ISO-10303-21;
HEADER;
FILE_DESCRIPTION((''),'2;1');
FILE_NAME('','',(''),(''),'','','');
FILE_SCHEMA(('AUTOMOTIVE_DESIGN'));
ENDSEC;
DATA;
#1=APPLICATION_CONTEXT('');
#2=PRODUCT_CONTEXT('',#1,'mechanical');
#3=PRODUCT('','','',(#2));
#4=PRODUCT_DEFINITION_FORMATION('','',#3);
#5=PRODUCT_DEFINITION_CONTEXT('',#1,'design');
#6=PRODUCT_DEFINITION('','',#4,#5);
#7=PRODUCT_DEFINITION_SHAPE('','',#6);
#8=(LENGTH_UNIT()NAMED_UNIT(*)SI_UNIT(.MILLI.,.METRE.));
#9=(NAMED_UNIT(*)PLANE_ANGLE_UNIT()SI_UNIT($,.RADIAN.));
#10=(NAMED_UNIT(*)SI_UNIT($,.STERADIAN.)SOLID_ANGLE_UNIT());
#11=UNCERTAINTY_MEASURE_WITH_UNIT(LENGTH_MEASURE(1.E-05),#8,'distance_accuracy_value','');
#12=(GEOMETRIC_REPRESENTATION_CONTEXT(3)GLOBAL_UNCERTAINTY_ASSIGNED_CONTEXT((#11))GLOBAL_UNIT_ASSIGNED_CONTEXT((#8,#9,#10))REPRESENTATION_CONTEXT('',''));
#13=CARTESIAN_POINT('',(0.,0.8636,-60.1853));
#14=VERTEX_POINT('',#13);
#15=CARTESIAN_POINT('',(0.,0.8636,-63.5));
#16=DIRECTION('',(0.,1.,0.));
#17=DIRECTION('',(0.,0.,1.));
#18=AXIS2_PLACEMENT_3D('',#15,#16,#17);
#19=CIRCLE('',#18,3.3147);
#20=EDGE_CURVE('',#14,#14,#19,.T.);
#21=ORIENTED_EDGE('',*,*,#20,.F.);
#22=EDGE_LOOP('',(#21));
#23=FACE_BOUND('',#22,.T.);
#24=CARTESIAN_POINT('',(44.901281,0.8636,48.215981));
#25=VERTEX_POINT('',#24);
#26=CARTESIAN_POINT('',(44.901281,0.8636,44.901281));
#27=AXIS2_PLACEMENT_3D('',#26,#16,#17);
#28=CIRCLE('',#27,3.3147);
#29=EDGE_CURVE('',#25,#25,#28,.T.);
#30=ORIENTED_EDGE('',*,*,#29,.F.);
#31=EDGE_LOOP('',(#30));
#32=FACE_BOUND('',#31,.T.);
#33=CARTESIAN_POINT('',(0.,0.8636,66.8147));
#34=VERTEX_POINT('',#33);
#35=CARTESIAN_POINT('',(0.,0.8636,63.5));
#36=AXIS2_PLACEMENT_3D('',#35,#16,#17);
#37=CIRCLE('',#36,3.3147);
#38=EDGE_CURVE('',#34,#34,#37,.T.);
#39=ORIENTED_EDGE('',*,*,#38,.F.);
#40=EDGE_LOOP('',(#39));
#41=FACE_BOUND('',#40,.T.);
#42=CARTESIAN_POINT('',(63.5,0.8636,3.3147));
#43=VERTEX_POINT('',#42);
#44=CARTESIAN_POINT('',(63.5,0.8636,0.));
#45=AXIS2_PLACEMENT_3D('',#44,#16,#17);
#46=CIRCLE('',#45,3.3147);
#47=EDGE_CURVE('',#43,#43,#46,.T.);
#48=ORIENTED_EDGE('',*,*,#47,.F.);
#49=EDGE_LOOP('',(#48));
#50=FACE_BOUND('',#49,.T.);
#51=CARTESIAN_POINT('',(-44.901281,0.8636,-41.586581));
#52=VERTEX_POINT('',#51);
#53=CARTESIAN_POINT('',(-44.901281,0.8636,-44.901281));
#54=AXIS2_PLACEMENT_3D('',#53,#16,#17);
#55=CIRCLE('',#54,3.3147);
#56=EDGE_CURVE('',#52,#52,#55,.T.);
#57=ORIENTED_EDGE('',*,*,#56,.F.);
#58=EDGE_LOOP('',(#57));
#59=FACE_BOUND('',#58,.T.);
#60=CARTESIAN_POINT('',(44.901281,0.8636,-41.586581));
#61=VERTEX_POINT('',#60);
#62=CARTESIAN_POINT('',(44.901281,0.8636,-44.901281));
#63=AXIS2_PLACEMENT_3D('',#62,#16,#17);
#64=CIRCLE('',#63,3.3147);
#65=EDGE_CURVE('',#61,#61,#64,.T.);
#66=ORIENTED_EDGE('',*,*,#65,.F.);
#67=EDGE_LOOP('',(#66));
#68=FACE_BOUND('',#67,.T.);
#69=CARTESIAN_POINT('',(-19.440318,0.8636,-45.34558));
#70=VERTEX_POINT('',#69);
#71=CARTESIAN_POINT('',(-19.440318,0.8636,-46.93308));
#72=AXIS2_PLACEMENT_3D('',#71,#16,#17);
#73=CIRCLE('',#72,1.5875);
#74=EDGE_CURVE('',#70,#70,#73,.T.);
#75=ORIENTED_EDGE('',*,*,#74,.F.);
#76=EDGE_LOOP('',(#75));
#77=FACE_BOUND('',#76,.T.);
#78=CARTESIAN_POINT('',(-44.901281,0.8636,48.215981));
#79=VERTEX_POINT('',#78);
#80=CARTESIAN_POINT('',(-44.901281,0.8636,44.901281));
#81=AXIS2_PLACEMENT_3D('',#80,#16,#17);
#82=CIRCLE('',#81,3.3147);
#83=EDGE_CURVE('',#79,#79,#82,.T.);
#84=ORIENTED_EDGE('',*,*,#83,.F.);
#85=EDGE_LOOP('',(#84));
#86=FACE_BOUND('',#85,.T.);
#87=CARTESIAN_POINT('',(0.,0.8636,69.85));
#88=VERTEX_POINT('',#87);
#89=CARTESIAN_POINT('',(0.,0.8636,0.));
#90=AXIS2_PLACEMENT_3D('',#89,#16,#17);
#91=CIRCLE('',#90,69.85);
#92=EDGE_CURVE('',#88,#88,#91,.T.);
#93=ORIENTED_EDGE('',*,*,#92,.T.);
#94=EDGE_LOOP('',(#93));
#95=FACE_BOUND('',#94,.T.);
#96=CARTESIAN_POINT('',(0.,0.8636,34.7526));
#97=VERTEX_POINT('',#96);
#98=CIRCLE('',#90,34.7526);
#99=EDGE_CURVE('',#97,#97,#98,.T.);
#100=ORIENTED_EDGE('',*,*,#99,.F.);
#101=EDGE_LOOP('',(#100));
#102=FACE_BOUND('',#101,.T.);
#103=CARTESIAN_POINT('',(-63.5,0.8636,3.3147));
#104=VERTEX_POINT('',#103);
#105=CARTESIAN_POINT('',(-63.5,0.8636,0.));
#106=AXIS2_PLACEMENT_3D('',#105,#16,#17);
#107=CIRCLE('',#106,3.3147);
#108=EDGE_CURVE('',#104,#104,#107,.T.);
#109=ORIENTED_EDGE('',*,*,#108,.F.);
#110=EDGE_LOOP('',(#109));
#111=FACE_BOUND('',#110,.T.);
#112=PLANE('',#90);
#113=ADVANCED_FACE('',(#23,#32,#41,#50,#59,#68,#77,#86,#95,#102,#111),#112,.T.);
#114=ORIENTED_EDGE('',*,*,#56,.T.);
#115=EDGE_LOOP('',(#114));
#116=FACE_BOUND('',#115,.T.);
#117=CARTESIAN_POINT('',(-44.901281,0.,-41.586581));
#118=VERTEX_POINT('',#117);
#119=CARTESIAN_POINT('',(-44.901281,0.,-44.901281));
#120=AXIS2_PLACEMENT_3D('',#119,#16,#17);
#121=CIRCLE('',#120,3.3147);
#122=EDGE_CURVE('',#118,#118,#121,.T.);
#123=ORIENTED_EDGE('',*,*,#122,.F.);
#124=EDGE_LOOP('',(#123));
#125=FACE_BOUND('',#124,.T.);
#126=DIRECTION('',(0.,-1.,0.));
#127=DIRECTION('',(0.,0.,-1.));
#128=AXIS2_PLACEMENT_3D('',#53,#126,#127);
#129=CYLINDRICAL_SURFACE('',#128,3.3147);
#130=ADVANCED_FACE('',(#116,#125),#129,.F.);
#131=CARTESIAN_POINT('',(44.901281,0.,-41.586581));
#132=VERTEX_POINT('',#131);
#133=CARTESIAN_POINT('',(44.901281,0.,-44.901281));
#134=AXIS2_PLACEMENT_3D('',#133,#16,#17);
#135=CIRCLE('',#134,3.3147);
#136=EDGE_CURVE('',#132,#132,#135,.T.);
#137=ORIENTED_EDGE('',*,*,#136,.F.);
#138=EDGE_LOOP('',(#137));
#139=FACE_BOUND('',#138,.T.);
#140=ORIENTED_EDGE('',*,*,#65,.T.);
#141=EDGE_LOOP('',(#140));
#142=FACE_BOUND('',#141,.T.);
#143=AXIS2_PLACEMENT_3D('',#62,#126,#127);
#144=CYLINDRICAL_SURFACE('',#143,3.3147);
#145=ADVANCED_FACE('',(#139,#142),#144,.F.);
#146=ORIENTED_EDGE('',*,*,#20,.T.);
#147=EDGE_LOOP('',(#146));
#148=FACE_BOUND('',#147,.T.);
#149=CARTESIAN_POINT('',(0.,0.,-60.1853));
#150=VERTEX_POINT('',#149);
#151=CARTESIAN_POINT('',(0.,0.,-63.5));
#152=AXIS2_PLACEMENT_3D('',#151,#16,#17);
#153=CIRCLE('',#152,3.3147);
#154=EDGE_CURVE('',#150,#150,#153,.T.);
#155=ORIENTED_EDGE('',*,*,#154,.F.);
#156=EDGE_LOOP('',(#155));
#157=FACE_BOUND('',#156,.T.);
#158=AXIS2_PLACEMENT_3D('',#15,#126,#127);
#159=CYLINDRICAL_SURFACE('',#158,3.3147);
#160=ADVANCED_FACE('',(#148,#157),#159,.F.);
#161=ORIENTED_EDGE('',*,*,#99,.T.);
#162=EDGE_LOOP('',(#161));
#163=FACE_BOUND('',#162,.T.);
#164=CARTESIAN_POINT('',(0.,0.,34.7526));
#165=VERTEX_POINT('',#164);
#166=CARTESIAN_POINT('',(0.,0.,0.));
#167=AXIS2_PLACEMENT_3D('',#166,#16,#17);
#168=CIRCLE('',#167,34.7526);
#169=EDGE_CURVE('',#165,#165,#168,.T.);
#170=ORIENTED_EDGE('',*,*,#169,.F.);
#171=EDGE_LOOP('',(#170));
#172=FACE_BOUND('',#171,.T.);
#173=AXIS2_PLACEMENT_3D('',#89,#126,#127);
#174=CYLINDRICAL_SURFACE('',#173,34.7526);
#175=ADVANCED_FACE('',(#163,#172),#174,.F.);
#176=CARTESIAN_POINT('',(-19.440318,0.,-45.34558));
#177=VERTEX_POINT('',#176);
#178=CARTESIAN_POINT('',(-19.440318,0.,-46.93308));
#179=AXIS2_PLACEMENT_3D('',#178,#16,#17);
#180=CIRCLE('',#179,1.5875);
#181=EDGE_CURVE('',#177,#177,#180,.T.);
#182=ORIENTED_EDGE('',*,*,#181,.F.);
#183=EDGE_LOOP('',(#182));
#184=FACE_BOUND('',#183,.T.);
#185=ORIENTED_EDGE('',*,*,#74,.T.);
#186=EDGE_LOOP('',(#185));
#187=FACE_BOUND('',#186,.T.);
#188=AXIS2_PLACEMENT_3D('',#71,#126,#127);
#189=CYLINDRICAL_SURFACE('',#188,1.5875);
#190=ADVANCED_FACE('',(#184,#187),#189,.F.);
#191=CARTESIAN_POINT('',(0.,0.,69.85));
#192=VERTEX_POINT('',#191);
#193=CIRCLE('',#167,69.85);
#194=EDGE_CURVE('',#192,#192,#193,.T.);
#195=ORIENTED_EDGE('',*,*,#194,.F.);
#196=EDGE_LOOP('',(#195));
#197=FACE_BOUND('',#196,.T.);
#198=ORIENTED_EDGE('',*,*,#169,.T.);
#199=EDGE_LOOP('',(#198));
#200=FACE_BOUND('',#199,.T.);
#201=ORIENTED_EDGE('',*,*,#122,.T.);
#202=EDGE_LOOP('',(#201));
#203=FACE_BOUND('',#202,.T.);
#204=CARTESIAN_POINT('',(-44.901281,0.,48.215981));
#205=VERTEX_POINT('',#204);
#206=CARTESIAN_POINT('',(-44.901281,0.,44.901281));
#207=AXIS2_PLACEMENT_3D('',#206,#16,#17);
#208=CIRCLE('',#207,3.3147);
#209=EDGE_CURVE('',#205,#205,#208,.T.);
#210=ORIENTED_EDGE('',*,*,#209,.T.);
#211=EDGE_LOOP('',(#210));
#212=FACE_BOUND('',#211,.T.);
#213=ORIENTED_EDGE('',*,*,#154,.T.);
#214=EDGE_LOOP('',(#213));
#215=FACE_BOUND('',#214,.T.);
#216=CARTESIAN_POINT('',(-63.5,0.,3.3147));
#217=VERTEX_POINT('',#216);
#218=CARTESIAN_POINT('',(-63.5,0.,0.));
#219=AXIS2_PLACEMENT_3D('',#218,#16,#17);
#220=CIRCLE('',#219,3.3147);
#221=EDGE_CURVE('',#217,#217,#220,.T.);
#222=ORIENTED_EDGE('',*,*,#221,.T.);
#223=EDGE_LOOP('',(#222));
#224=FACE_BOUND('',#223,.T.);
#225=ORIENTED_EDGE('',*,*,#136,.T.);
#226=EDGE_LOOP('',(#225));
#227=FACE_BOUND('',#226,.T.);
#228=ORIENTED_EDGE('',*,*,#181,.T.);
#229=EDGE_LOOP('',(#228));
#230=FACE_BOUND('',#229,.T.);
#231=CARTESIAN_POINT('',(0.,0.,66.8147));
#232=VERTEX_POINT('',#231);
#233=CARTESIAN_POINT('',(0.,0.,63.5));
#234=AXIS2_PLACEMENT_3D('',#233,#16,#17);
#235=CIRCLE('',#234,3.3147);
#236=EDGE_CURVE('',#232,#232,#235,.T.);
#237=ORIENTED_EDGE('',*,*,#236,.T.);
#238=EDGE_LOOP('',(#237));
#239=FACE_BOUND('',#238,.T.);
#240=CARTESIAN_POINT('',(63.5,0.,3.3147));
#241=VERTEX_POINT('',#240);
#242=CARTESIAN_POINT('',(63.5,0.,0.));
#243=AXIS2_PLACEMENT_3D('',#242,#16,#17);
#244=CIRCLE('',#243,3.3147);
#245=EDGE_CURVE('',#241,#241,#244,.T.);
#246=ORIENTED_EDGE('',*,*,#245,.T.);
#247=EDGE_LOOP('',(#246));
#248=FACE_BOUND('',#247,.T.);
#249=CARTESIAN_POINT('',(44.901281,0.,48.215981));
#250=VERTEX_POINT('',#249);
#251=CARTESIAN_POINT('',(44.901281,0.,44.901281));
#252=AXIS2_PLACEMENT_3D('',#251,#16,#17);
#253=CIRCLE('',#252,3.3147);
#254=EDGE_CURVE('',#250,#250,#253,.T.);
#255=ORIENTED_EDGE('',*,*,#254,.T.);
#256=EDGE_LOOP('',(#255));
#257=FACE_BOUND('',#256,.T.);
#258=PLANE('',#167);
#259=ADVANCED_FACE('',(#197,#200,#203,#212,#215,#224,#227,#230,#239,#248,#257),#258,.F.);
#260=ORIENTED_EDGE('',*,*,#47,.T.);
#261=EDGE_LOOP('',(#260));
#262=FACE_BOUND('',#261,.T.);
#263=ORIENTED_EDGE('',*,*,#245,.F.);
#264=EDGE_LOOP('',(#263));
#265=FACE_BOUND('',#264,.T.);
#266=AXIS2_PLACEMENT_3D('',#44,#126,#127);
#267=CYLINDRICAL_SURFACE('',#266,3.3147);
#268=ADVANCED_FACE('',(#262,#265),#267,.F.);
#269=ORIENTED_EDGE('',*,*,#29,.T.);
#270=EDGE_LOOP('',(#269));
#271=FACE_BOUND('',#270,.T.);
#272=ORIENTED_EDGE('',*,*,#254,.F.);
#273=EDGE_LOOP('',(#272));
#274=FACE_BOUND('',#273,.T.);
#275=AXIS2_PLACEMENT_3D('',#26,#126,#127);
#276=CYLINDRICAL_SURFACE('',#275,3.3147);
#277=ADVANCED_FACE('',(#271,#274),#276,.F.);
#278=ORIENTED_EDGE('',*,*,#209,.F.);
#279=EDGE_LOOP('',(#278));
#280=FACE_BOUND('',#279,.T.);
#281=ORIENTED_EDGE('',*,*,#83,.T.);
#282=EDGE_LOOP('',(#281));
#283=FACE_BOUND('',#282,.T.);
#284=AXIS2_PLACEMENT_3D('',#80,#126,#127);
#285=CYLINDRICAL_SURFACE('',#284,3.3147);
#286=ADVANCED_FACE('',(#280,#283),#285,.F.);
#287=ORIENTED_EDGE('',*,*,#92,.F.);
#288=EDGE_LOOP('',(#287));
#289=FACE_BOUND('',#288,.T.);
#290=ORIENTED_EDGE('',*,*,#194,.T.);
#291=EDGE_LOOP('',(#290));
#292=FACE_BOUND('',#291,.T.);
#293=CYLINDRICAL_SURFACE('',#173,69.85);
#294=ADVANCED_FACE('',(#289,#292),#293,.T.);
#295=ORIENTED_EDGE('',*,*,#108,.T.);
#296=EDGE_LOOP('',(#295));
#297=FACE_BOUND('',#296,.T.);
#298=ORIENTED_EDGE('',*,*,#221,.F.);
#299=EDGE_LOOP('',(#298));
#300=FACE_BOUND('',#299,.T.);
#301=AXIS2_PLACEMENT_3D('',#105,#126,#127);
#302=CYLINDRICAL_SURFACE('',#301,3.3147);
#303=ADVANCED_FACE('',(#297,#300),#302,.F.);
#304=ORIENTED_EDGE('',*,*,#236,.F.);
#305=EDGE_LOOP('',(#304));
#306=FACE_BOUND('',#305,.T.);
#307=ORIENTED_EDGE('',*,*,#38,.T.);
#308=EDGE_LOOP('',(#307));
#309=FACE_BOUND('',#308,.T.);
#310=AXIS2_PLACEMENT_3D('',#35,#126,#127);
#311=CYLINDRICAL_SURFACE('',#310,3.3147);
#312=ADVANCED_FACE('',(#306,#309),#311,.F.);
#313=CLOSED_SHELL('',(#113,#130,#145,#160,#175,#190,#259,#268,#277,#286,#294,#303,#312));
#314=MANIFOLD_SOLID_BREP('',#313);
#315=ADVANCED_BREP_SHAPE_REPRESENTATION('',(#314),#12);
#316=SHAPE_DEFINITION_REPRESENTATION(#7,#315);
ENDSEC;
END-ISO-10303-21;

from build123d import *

# Parameters (mm, degrees)
SKETCH1_R           = 69.85
SKETCH1_R_2         = 34.7526
SKETCH1_R_3         = 3.3147
SKETCH1_R_4         = 1.5875
BOSS_EXTRUDE1_DEPTH = 0.8636


with BuildPart() as part:
    # Sketch1 → Boss-Extrude1 (new body)
    with BuildSketch(Plane(origin=(0, 0, 0), x_dir=(1, 0, 0), z_dir=(0, 1, 0))):
        with Locations(Location((0, 0, 0), (0, 0, 270))):
            Circle(SKETCH1_R)
        with Locations(Location((0, 0, 0), (0, 0, 270))):
            Circle(SKETCH1_R_2, mode=Mode.SUBTRACT)
        with Locations(Location((0, 63.5, 0), (0, 0, 270))):
            Circle(SKETCH1_R_3, mode=Mode.SUBTRACT)
        with Locations(Location((44.901280605, 44.901280605, 0), (0, 0, 270))):
            Circle(SKETCH1_R_3, mode=Mode.SUBTRACT)
        with Locations(Location((63.5, 0, 0), (0, 0, 270))):
            Circle(SKETCH1_R_3, mode=Mode.SUBTRACT)
        with Locations(Location((44.901280605, -44.901280605, 0), (0, 0, 270))):
            Circle(SKETCH1_R_3, mode=Mode.SUBTRACT)
        with Locations(Location((0, -63.5, 0), (0, 0, 270))):
            Circle(SKETCH1_R_3, mode=Mode.SUBTRACT)
        with Locations(Location((-44.901280605, -44.901280605, 0), (0, 0, 270))):
            Circle(SKETCH1_R_3, mode=Mode.SUBTRACT)
        with Locations(Location((-63.5, 0, 0), (0, 0, 270))):
            Circle(SKETCH1_R_3, mode=Mode.SUBTRACT)
        with Locations(Location((-44.901280605, 44.901280605, 0), (0, 0, 270))):
            Circle(SKETCH1_R_3, mode=Mode.SUBTRACT)
        with Locations(Location((-19.440318364, 46.933080252, 0), (0, 0, 270))):
            Circle(SKETCH1_R_4, mode=Mode.SUBTRACT)
    extrude(amount=BOSS_EXTRUDE1_DEPTH)


solid = part.part
